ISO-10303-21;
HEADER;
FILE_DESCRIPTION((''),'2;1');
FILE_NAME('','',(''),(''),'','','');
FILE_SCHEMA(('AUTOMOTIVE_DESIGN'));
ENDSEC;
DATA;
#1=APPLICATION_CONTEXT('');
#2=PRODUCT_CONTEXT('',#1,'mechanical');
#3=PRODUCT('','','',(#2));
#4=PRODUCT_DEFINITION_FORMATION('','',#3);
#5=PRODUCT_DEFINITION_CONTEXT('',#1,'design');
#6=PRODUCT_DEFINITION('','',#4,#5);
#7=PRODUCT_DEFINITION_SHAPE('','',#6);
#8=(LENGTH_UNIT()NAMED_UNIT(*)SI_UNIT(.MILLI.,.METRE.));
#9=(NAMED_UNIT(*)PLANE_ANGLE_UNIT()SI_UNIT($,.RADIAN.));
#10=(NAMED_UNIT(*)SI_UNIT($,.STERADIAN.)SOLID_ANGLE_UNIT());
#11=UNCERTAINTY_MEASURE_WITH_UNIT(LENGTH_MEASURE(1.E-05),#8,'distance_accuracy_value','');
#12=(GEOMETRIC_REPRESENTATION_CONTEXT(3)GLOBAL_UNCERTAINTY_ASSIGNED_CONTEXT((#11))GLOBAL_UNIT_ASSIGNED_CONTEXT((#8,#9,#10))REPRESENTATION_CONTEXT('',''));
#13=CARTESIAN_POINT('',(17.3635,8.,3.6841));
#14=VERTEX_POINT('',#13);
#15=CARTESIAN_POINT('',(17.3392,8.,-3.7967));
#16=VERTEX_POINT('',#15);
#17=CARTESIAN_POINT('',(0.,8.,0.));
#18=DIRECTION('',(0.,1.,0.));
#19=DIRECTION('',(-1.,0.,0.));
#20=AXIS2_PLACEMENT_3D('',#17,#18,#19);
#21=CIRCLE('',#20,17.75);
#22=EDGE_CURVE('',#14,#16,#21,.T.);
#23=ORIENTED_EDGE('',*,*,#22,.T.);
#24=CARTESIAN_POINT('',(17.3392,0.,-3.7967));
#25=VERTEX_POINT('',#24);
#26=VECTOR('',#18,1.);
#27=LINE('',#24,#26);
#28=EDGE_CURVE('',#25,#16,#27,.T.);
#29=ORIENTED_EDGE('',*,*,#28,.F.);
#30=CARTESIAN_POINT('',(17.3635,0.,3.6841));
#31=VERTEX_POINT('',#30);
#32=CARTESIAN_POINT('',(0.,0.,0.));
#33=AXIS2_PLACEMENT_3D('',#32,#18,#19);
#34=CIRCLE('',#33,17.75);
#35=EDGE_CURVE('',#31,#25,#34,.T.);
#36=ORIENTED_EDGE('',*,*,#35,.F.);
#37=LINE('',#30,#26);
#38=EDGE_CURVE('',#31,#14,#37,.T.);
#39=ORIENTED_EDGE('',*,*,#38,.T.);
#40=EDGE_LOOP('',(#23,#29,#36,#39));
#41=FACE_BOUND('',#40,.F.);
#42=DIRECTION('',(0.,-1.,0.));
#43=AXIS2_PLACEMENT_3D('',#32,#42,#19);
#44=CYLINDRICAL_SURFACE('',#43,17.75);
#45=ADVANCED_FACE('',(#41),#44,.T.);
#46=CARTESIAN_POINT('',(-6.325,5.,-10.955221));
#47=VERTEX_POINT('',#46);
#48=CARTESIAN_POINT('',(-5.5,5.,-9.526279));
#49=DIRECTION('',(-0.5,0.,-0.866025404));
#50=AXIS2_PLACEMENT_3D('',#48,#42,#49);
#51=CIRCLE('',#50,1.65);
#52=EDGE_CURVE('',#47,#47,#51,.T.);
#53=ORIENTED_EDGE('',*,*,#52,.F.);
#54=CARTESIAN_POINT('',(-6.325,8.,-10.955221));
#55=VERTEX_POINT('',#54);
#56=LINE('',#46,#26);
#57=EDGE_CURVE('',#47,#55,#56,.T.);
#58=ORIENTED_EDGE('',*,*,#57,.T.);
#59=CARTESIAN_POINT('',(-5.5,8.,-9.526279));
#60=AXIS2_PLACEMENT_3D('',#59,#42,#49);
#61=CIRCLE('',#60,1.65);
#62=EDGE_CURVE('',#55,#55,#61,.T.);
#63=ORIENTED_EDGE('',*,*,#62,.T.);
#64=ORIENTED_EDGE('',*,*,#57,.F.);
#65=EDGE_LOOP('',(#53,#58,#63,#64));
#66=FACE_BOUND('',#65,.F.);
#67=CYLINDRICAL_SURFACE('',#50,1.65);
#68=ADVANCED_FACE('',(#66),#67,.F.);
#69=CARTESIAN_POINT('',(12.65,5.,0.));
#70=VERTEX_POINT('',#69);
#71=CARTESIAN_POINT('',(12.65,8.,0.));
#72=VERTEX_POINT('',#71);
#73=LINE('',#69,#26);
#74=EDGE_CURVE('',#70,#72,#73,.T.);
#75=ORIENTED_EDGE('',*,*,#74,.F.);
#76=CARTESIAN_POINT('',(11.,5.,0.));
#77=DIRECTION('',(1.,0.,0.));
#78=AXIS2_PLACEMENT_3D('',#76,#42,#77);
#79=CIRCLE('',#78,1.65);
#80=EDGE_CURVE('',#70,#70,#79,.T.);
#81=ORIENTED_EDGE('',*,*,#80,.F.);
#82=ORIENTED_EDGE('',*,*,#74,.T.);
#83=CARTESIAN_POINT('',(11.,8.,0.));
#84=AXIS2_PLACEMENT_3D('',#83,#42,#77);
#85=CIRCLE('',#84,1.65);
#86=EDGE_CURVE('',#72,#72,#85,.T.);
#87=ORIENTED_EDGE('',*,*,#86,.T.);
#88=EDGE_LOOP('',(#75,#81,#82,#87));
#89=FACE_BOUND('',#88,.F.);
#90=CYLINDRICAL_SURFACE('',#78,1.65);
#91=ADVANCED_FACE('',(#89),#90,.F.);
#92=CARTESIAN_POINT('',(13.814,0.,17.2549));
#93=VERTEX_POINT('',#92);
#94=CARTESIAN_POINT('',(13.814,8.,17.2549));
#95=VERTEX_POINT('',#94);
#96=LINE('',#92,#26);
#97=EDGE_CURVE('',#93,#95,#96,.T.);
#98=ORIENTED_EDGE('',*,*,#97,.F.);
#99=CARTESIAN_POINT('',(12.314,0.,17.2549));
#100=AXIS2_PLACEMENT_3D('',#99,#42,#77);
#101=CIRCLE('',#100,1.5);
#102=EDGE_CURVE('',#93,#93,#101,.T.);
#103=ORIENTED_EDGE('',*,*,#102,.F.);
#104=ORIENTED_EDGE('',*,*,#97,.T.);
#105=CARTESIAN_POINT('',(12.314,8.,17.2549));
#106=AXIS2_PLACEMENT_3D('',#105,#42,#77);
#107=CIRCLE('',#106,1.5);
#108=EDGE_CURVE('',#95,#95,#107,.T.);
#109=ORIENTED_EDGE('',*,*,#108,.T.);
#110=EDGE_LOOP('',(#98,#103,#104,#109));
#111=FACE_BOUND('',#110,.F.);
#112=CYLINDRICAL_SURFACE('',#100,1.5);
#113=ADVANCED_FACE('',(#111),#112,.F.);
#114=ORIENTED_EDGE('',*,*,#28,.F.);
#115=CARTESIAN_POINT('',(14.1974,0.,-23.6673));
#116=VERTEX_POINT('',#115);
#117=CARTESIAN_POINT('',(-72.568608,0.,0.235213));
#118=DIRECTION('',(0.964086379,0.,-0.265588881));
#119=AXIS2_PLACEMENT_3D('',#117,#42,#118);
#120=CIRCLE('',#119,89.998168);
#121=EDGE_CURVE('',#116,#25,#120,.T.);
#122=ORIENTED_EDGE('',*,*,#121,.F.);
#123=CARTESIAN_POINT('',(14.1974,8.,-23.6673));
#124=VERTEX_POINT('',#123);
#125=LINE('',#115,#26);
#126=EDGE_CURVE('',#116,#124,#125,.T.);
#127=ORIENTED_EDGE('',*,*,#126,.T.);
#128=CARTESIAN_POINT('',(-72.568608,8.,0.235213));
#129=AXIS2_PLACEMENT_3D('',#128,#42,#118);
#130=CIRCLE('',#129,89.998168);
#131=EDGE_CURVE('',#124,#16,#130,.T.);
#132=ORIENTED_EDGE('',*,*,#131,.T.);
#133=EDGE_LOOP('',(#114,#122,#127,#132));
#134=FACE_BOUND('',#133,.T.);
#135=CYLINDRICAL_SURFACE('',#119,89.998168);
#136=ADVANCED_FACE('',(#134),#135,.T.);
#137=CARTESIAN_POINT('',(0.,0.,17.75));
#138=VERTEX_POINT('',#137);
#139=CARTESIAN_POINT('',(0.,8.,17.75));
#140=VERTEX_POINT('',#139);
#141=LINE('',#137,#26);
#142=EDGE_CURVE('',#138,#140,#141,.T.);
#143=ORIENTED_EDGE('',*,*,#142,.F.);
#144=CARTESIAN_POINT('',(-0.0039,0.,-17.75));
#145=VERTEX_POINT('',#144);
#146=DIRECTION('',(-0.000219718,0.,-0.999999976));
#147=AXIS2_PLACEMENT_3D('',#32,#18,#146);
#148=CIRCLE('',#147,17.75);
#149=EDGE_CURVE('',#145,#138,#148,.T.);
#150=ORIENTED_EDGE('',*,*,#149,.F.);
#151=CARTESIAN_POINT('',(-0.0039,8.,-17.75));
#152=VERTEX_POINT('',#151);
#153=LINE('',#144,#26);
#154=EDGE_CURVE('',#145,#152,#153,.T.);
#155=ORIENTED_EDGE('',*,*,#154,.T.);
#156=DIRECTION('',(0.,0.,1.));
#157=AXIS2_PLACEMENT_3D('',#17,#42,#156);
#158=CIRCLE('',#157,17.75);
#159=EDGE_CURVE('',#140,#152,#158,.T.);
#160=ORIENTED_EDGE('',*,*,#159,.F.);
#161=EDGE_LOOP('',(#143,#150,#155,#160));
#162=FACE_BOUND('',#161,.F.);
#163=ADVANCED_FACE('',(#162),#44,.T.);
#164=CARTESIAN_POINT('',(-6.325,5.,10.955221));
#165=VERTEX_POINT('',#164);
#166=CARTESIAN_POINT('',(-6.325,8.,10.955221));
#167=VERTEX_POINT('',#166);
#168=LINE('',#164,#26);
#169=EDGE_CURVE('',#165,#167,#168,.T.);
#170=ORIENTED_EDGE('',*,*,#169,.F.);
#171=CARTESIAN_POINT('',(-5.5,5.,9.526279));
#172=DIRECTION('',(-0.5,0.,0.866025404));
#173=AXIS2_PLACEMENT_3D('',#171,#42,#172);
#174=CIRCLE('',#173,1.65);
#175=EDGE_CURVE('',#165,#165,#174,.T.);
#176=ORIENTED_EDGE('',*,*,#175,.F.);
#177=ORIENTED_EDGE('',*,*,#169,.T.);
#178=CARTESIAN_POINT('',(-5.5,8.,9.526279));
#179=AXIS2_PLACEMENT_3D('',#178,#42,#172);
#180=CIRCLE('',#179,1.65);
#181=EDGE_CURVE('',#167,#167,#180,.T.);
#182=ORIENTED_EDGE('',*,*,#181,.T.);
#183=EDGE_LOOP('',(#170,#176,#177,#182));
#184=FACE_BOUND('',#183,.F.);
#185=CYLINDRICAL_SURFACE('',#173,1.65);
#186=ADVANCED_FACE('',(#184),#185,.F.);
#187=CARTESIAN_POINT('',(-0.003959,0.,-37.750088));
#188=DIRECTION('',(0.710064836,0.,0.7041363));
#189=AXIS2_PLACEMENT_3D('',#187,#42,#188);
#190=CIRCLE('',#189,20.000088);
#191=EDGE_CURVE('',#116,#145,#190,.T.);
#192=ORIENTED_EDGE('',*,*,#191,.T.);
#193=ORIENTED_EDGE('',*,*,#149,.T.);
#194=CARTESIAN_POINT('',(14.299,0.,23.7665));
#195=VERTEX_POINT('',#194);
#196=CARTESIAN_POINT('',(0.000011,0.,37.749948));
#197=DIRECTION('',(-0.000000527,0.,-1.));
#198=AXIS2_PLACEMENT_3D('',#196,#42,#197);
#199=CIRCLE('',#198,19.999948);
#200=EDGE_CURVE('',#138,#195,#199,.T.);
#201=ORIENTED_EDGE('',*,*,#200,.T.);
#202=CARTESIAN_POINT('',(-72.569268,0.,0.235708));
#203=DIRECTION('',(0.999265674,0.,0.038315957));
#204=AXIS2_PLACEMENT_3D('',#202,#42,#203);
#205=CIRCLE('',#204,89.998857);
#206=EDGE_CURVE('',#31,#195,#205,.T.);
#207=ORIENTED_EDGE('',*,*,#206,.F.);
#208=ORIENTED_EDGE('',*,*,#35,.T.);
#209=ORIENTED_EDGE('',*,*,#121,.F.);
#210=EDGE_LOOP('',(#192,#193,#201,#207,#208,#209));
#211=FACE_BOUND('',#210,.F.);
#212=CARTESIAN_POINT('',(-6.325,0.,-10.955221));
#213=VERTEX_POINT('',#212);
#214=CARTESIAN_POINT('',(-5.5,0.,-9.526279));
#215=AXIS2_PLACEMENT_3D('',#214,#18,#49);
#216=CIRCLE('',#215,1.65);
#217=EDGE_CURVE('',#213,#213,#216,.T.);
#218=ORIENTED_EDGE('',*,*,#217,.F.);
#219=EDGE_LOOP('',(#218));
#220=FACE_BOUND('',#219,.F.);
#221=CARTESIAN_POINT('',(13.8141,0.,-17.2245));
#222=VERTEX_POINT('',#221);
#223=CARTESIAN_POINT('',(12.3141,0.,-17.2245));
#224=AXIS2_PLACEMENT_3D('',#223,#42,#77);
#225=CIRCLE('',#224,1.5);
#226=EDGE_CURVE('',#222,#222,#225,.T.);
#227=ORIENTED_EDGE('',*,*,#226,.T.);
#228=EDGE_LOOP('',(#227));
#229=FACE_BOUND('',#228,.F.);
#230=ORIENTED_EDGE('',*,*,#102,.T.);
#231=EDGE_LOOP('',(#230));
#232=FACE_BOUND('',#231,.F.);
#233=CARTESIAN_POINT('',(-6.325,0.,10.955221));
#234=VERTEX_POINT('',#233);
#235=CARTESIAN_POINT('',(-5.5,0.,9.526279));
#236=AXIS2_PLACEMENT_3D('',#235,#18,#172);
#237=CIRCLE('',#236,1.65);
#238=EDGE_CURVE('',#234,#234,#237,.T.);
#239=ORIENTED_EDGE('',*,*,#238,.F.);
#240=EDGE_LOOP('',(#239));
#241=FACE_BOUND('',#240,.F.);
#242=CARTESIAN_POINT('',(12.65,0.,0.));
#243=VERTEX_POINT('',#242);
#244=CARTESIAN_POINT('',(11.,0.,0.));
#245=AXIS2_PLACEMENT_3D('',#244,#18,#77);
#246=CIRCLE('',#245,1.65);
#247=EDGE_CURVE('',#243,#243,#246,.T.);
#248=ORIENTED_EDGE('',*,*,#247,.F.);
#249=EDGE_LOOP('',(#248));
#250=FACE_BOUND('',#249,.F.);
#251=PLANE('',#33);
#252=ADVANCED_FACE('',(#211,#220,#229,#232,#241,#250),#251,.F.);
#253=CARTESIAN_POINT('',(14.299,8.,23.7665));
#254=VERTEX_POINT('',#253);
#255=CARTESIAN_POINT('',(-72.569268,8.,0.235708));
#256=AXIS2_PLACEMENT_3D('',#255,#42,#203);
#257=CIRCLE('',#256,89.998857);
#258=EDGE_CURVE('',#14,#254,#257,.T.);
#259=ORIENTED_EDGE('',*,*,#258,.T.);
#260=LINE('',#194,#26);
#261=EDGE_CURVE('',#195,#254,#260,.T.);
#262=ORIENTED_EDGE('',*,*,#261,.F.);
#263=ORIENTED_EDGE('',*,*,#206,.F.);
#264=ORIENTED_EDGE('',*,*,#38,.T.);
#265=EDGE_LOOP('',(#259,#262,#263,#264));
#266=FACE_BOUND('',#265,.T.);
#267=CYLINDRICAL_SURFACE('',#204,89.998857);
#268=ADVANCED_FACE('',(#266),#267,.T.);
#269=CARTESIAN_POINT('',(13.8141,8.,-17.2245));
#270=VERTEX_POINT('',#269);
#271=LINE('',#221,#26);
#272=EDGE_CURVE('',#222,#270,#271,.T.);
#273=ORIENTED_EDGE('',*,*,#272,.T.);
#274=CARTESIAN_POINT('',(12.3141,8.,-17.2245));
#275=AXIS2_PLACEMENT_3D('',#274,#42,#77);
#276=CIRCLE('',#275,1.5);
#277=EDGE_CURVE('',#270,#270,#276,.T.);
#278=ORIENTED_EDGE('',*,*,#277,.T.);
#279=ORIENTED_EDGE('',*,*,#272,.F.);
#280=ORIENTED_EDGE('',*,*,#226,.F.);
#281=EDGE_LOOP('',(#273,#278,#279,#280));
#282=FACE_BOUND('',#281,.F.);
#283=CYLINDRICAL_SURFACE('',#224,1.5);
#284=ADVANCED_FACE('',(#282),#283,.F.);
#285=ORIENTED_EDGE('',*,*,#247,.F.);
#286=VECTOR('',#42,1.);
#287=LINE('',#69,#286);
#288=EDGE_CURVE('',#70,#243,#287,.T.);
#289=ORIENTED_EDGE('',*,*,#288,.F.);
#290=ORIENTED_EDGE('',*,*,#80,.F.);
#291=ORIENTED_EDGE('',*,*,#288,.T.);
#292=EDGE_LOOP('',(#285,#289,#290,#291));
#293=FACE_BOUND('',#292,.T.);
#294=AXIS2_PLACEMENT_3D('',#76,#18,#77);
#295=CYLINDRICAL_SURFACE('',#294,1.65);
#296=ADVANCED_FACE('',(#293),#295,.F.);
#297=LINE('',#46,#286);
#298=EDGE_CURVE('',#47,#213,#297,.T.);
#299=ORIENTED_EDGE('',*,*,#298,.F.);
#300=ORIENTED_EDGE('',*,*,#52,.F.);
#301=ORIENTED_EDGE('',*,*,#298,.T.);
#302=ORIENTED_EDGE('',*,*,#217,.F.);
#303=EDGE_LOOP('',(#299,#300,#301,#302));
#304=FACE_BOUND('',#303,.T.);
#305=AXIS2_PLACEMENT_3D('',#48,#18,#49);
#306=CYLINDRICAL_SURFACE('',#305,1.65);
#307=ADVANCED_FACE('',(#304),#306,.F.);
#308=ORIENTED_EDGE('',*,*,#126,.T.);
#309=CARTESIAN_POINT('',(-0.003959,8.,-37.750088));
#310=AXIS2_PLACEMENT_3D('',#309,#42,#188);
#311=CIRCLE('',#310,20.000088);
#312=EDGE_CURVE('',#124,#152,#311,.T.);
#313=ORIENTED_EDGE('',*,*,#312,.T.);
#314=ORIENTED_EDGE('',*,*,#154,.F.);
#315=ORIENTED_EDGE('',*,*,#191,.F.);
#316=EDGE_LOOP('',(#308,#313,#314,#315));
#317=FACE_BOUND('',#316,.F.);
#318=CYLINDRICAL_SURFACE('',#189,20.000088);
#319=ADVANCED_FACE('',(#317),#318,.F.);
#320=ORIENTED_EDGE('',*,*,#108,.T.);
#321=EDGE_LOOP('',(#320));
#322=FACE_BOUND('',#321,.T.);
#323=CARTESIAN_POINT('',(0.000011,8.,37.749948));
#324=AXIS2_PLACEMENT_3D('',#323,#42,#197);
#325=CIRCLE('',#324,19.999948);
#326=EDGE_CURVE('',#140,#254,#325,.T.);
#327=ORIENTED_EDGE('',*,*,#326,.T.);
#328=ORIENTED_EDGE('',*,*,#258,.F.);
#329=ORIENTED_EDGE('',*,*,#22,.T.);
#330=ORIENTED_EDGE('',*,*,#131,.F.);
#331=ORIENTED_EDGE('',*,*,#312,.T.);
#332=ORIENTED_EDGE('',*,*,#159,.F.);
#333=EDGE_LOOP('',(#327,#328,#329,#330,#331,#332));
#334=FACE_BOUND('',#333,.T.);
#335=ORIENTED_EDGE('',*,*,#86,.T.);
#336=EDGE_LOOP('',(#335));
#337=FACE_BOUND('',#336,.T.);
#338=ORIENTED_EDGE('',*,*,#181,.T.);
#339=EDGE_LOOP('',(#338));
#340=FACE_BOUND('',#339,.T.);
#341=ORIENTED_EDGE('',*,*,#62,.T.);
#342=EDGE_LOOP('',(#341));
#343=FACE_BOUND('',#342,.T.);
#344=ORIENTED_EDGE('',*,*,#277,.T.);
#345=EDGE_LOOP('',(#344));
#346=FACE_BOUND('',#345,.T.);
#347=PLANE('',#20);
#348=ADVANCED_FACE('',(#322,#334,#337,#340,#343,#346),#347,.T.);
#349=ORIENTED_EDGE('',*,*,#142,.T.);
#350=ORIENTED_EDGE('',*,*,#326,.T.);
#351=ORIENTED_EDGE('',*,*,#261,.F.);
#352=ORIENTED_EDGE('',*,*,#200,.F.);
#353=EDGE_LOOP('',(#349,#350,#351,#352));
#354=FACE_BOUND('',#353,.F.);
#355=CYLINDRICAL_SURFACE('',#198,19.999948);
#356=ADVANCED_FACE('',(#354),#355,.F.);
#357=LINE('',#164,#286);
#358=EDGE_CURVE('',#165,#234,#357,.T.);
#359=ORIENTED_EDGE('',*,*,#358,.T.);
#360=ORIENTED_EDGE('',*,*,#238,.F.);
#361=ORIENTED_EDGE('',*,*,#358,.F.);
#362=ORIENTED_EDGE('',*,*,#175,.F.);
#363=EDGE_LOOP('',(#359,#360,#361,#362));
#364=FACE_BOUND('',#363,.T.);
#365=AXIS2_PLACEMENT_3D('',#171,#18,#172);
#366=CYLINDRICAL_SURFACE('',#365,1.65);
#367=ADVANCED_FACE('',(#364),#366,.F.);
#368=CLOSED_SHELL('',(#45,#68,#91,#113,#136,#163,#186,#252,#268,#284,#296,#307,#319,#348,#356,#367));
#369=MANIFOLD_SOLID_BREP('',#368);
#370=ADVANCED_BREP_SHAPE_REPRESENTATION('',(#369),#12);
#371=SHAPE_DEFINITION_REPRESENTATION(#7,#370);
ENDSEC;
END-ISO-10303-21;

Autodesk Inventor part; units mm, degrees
ref_plane "YZ Plane" through (0, 0, 0) normal (1, 0, 0) x (0, 1, 0)
ref_plane "XZ Plane" through (0, 0, 0) normal (0, 1, 0) x (-1, 0, 0)
sketch "Esquisse1" plane through (0, 0, 0) normal (0, 1, 0) x (-1, 0, 0)
  circle A0 centre (0, 0) radius 17.75
  dimension "d0" = 35.5
extrude "Extrusion1" add sketch "Esquisse1" along normal blind 8
ref_plane "Plan de construction1" through (0, 5, 0) normal (0, -1, 0) x (1, 0, 0)
sketch "Esquisse2" plane through (0, 5, 0) normal (0, -1, 0) x (1, 0, 0)
  circle A0 centre (0, 0) radius 17.75 construction
  line L0 (0, 0) -> (11, 0) construction
  circle A1 centre (11, 0) radius 1.65
  dimension "d4" = 11
  dimension "d5" = 3.3
extrude "Extrusion2" cut sketch "Esquisse2" along normal through all both and the other way through all
sketch "Esquisse3" plane through (0, 5, 0) normal (0, -1, 0) x (1, 0, 0)
  line L0 (23.2, 2.825) -> (8.2, 2.825)
  line L1 (8.2, 2.825) -> (8.2, -2.825)
  line L2 (8.2, -2.825) -> (23.2, -2.825)
  line L3 (23.2, -2.825) -> (23.2, 2.825)
  circle A0 centre (11, 0) radius 1.65 construction
  circle A1 centre (0, 0) radius 17.75 construction
  line L4 (0, 0) -> (8.2, 0) construction
  dimension "d8" = 5.65
  dimension "d9" = 2.8
  dimension "d10" = 15
pattern_circular "Réseau circulaire1" count 3 over 360 about axis through (0, 0, 0) along (0, -1, 0) of "Extrusion2"
ref_plane "Work Plane2" through (0, 6.5, 0) normal (0, 1, 0) x (1, 0, 0)
sketch "Sketch4" plane through (0, 6.5, 0) normal (0, 1, 0) x (1, 0, 0)
  circle A0 centre (0, 0) radius 17
  circle A1 centre (-5.5, -9.5263) radius 1.65 projected
  circle A2 centre (11, 0) radius 1.65 projected
  circle A3 centre (0, 0) radius 17.75 projected
  circle A4 centre (0, 0) radius 17.75 projected
  line L0 (-5.1051, -17) -> (-5.1051, 17)
  dimension "d17" = 34
extrude "Extrusion4" [suppressed]
sketch "Sketch7" plane through (0, 0, 0) normal (0, -1, 0) x (1, 0, 0)
  circle A0 centre (-5.5, -9.5263) radius 1.65 projected
  circle A1 centre (-5.5, 9.5263) radius 1.65 projected
  circle A2 centre (11, 0) radius 1.65 projected
  circle A3 centre (0, 0) radius 17.75 projected
  arc A4 (12.2653, -21.0869) -> (-1.702, -23.304) centre (6.3902, -29.1791) ccw construction
  line L0 (12.2653, -21.0869) -> (14.1974, -23.6673) construction
  arc A5 (16.0148, -22.871) -> (19.1393, -21.699) centre (17.1898, -21.2525) ccw construction
  arc A6 (19.1393, -21.699) -> (17.9505, 23.1047) centre (-68.5898, -1.6093) ccw construction
  arc A7 (17.9505, 23.1047) -> (14.8221, 24.7813) centre (15.9506, 23.1301) ccw construction
  line L1 (14.8221, 24.7813) -> (14.299, 23.7665) construction
  circle A8 centre (10.9719, 0.0309) radius 1.5
  circle A9 centre (12.314, 17.2549) radius 1.5
  circle A10 centre (12.3141, -17.2245) radius 1.5
  circle A11 centre (10.9719, -0.0082) radius 3
  circle A12 centre (10.9719, -0.0082) radius 1.5
  circle A13 centre (12.3141, -17.2245) radius 1.5
  circle A14 centre (12.3141, -17.2245) radius 1.5
  arc A15 (14.1974, -23.6673) -> (17.3392, -3.7967) centre (-72.5704, 0.2356) ccw
  arc A16 (17.3635, 3.6841) -> (14.299, 23.7665) centre (-72.5704, 0.2356) ccw
  circle A17 centre (0, 0) radius 17.75 projected
  arc A18 (14.1974, -23.6673) -> (-0.0039, -17.75) centre (-0.0039, -37.75) ccw
  arc A19 (0, 17.75) -> (14.299, 23.7665) centre (0, 37.75) ccw
  circle A20 centre (-5.5, -9.5263) radius 1.65 projected
  circle A21 centre (-5.5, 9.5263) radius 1.65 projected
  circle A22 centre (11, 0) radius 1.65 projected
  circle A23 centre (0, 0) radius 17.75 projected
  dimension "d50" = 1.3141
  dimension "d51" = 17.2245
  dimension "d53" = 20
  dimension "d54" = 20
  dimension "d61" = 1.314
  dimension "d62" = 17.224
  dimension "d63" = 90
  dimension "d64" = 90
  dimension "d66" = 20
  dimension "d67" = 20
extrude "Extrusion5" add sketch "Sketch7" against normal blind 8 contours A3 A19 A16 | A15 A18 A3
sketch "Sketch8" plane through (0, 8, 0) normal (0, 1, 0) x (1, 0, 0)
  circle A0 centre (12.3141, 17.2245) radius 1.5 projected
  circle A1 centre (12.314, -17.2549) radius 1.5 projected
  circle A2 centre (-5.5, 9.5263) radius 1.65 projected
  circle A3 centre (-5.5, -9.5263) radius 1.65 projected
  circle A4 centre (11, 0) radius 1.65 projected
  arc A5 (-0.0039, 17.75) -> (0, -17.75) centre (0, 0) ccw projected
  arc A6 (14.299, -23.7665) -> (0, -17.75) centre (0, -37.75) ccw projected
  arc A7 (14.299, -23.7665) -> (17.3635, -3.6841) centre (-72.5704, -0.2356) ccw projected
  arc A8 (17.3635, -3.6841) -> (17.3392, 3.7967) centre (0, 0) ccw projected
  arc A9 (17.3392, 3.7967) -> (14.1974, 23.6673) centre (-72.5704, -0.2356) ccw projected
  arc A10 (-0.0039, 17.75) -> (14.1974, 23.6673) centre (-0.0039, 37.75) ccw projected
  arc A11 (14.299, -23.7665) -> (0, -17.75) centre (0, -37.75) ccw projected
  arc A12 (14.8721, -21.5382) -> (13.3292, -20.2477) centre (0, -37.75) ccw
  arc A13 (12.6827, -1.3087) -> (12.7364, 0.5886) centre (0, 0) ccw
  arc A14 (10.3425, 14.4255) -> (10.6571, 14.5677) centre (-0.0039, 37.75) ccw
  arc A15 (15.5707, -3.4578) -> (15.5479, 3.5588) centre (0, 0) ccw
  arc A16 (15.5479, 3.5588) -> (13.2545, 20.0947) centre (-72.5704, -0.2356) ccw
  arc A17 (17.3392, 3.7967) -> (14.1974, 23.6673) centre (-72.5704, -0.2356) ccw projected
  arc A18 (13.3292, -20.2477) -> (15.5707, -3.4578) centre (-72.5704, -0.2356) ccw
  arc A19 (11.9075, 19.0825) -> (11.9222, 19.0926) centre (-0.6265, 37.1628) ccw
  arc A20 (13.2545, 20.0947) -> (14.7767, 21.4548) centre (-0.6265, 37.1628) ccw
  dimension "d59" = 2
  dimension "d68" = 1.8
  dimension "d69" = 1.8
ref_plane "Work Plane3" through (0, 6.5, 0) normal (0, 1, 0) x (1, 0, 0)
ref_plane "Work Plane4" through (0, 1.5, 0) normal (0, -1, 0) x (1, 0, 0)
equation "\"d6\" = d5"
properties part number "capacitor_glue"
